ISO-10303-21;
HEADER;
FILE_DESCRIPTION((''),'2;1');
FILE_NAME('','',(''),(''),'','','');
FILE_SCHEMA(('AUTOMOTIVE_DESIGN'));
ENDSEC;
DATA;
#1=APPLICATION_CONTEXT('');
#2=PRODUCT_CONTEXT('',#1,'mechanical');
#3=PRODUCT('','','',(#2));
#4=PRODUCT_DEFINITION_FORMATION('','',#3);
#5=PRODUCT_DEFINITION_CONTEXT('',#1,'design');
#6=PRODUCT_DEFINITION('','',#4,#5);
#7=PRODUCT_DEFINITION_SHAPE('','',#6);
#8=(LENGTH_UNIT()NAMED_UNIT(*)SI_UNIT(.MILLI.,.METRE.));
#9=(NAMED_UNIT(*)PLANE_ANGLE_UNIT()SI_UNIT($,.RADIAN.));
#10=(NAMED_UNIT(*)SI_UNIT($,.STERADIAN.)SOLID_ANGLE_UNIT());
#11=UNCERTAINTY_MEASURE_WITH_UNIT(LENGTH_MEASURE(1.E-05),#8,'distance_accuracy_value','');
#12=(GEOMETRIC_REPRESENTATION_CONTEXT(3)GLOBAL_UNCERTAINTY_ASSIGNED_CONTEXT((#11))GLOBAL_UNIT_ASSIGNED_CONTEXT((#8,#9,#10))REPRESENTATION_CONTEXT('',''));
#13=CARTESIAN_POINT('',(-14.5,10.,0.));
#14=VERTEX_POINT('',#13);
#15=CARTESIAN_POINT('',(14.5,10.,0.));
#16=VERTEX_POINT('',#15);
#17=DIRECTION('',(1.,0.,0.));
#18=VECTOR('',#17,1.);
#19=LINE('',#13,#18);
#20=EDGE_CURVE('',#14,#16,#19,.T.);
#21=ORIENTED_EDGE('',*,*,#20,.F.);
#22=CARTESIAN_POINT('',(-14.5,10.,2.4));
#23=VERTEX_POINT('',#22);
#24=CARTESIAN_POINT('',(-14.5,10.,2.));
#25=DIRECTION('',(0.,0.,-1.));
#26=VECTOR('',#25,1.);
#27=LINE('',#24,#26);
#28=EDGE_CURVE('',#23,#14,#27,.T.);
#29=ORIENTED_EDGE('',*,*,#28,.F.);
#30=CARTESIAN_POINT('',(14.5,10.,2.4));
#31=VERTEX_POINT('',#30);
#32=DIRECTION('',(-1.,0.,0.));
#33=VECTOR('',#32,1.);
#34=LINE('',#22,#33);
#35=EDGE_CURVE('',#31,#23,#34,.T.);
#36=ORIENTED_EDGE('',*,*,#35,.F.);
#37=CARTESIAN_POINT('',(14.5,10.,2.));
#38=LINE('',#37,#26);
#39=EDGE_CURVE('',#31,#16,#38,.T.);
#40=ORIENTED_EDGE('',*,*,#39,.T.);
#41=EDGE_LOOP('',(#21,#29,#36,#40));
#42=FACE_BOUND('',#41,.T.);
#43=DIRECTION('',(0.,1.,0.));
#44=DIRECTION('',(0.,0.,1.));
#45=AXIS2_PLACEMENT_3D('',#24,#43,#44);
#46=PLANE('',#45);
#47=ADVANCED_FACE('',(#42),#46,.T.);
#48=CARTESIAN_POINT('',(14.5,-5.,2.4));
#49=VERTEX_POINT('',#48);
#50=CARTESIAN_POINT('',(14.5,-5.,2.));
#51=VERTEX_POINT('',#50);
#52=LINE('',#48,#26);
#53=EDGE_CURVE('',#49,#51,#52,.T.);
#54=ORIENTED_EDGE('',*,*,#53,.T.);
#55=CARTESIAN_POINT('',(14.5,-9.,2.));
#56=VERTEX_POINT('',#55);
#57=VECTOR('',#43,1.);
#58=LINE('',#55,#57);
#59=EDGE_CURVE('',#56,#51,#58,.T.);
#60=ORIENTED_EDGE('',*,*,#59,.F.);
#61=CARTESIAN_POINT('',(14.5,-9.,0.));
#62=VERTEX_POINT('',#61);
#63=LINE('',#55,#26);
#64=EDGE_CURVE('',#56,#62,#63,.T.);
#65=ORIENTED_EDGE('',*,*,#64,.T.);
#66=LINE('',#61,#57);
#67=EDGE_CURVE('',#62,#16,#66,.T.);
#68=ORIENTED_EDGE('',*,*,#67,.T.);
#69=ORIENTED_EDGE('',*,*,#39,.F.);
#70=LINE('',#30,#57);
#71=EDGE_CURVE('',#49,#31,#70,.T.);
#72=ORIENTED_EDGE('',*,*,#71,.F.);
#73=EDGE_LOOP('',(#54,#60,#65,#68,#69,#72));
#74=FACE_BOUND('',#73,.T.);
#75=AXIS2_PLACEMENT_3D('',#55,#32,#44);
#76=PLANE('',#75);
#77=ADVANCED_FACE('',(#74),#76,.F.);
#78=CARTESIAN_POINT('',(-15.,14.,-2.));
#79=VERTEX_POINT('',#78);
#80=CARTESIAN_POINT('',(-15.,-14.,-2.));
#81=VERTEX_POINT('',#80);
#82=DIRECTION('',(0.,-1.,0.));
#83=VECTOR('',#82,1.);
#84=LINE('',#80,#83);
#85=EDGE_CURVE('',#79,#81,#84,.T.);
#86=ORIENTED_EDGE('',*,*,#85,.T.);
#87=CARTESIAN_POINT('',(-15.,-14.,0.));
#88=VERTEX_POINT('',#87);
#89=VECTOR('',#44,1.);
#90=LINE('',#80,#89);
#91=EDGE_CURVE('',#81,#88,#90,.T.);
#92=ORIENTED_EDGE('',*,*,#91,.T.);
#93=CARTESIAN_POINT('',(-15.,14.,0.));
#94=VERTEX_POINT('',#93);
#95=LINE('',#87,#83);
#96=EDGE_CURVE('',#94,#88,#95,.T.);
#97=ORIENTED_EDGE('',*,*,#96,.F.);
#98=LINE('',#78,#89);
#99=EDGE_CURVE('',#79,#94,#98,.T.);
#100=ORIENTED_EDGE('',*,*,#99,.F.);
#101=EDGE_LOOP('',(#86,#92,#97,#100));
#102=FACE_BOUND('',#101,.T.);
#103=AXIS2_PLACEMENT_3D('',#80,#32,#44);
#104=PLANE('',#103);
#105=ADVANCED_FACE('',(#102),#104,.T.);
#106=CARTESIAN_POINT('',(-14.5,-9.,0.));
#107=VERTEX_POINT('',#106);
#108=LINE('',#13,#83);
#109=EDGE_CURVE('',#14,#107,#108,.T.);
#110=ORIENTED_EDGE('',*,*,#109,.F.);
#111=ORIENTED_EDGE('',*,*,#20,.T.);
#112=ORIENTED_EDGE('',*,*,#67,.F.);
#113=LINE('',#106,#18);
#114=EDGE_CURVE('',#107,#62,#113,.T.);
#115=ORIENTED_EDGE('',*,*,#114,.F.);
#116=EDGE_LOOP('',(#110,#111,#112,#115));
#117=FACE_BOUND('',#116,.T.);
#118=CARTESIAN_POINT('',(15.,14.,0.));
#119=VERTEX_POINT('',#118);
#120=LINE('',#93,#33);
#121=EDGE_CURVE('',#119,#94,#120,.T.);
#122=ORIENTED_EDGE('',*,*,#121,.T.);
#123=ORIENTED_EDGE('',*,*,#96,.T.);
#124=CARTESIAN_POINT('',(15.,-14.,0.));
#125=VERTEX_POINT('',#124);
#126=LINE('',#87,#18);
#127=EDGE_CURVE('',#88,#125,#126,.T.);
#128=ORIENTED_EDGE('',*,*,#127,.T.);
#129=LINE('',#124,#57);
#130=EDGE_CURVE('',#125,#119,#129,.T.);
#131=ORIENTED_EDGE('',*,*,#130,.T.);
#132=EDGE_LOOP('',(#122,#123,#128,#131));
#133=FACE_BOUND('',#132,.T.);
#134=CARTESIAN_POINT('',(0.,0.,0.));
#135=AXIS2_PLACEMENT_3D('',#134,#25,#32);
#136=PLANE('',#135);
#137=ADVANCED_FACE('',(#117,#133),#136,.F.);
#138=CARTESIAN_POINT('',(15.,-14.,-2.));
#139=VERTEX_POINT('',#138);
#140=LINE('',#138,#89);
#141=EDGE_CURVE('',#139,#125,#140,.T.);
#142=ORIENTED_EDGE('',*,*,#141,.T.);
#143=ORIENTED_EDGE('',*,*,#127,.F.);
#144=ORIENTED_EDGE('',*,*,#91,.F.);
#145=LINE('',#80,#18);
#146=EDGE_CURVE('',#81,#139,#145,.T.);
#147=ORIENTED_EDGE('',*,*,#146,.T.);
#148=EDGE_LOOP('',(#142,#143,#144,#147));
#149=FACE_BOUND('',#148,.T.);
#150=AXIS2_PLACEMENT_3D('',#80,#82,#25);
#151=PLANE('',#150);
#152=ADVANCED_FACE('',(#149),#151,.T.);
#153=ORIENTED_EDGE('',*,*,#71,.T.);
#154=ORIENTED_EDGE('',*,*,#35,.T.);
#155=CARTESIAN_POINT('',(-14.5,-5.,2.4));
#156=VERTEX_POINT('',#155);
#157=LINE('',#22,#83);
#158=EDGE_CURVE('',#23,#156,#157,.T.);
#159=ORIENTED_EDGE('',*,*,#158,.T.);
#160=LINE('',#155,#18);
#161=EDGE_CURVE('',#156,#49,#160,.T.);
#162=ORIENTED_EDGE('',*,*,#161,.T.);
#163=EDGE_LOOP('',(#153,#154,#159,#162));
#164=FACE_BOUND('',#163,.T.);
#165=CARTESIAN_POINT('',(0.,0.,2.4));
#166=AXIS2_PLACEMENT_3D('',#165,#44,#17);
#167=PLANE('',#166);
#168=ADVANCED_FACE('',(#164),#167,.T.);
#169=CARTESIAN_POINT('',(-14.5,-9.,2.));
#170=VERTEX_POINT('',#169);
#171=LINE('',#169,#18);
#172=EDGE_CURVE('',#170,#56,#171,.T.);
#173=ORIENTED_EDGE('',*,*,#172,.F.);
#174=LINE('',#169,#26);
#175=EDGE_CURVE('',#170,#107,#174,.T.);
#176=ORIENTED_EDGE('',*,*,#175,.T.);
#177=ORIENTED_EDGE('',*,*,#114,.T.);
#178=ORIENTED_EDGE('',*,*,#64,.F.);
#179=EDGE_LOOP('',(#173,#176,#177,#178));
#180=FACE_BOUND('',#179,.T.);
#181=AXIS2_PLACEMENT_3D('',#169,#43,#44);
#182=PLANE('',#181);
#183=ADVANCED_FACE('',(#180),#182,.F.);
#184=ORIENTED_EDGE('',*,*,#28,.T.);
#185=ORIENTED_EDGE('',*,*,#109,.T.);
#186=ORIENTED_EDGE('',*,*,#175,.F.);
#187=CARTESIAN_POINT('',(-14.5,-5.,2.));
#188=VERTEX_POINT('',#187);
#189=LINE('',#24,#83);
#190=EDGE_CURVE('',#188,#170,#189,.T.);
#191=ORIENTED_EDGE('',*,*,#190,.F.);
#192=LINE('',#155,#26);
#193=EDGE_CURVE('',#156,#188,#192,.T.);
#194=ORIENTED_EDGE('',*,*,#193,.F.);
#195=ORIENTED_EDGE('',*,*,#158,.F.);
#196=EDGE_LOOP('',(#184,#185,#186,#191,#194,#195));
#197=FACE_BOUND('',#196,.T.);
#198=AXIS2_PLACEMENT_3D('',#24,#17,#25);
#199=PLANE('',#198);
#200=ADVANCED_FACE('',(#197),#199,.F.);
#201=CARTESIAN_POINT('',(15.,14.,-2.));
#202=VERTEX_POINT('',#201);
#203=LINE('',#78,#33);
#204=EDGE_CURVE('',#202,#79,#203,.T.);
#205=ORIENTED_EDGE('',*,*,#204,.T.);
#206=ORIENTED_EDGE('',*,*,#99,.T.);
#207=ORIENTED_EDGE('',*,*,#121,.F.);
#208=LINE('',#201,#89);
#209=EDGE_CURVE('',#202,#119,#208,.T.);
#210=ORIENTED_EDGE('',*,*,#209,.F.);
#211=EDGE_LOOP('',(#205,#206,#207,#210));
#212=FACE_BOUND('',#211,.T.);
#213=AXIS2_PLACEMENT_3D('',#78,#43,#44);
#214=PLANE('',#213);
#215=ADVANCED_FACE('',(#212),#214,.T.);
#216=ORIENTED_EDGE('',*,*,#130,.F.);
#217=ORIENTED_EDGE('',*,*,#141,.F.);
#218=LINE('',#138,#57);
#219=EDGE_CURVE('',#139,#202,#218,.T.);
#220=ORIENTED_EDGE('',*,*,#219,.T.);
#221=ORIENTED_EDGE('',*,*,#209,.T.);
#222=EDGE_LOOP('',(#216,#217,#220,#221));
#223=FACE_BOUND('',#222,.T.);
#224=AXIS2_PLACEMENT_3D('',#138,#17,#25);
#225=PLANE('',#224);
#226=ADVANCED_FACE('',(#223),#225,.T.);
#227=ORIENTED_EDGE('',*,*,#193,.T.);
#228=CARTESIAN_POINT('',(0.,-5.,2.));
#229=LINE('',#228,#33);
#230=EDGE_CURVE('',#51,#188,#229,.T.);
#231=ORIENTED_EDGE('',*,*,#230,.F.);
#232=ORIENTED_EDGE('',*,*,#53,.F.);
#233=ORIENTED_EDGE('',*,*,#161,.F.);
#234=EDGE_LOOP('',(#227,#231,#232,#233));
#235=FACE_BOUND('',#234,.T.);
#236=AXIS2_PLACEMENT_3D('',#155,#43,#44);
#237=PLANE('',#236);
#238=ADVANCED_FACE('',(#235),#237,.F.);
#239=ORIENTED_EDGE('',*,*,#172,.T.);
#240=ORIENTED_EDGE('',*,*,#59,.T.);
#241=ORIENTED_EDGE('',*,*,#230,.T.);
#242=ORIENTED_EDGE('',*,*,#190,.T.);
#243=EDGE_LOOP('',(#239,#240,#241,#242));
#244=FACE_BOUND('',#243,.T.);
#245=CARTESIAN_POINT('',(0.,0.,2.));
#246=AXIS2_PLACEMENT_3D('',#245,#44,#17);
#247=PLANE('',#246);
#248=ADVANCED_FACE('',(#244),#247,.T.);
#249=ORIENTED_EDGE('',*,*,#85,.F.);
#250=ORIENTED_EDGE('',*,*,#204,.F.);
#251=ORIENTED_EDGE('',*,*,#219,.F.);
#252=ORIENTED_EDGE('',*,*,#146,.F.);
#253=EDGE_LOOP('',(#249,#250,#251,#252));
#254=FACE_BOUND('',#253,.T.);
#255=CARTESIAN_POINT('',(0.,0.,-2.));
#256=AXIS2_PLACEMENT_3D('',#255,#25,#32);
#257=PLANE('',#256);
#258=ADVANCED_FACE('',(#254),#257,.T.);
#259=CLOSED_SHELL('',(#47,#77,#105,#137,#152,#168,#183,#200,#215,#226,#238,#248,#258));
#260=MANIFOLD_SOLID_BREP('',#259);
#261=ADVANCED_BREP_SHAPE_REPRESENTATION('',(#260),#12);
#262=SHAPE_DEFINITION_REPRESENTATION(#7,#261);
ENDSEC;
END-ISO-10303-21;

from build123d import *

# Parameters (mm, degrees)
SKETCH_1_W      = 30
SKETCH_1_H      = 28
EXTRUDE_1_DEPTH = 2
SKETCH_2_W      = 29
SKETCH_2_H      = 19
EXTRUDE_2_DEPTH = 2
SKETCH_3_W      = 29
SKETCH_3_H      = 15
EXTRUDE_3_DEPTH = 2.4


with BuildPart() as part:
    # 草图1 → 凸台-拉伸1 (new body)
    with BuildSketch(Plane.XY):
        Rectangle(SKETCH_1_W, SKETCH_1_H)
    extrude(amount=-EXTRUDE_1_DEPTH)

    # 草图2 → 凸台-拉伸2 (add)
    with BuildSketch(Plane.XY):
        with Locations((0, 0.5)):
            Rectangle(SKETCH_2_W, SKETCH_2_H)
    extrude(amount=EXTRUDE_2_DEPTH)

    # 草图3 → 凸台-拉伸3 (add)
    with BuildSketch(Plane.XY):
        with Locations((0, 2.5)):
            Rectangle(SKETCH_3_W, SKETCH_3_H)
    extrude(amount=EXTRUDE_3_DEPTH)


solid = part.part
